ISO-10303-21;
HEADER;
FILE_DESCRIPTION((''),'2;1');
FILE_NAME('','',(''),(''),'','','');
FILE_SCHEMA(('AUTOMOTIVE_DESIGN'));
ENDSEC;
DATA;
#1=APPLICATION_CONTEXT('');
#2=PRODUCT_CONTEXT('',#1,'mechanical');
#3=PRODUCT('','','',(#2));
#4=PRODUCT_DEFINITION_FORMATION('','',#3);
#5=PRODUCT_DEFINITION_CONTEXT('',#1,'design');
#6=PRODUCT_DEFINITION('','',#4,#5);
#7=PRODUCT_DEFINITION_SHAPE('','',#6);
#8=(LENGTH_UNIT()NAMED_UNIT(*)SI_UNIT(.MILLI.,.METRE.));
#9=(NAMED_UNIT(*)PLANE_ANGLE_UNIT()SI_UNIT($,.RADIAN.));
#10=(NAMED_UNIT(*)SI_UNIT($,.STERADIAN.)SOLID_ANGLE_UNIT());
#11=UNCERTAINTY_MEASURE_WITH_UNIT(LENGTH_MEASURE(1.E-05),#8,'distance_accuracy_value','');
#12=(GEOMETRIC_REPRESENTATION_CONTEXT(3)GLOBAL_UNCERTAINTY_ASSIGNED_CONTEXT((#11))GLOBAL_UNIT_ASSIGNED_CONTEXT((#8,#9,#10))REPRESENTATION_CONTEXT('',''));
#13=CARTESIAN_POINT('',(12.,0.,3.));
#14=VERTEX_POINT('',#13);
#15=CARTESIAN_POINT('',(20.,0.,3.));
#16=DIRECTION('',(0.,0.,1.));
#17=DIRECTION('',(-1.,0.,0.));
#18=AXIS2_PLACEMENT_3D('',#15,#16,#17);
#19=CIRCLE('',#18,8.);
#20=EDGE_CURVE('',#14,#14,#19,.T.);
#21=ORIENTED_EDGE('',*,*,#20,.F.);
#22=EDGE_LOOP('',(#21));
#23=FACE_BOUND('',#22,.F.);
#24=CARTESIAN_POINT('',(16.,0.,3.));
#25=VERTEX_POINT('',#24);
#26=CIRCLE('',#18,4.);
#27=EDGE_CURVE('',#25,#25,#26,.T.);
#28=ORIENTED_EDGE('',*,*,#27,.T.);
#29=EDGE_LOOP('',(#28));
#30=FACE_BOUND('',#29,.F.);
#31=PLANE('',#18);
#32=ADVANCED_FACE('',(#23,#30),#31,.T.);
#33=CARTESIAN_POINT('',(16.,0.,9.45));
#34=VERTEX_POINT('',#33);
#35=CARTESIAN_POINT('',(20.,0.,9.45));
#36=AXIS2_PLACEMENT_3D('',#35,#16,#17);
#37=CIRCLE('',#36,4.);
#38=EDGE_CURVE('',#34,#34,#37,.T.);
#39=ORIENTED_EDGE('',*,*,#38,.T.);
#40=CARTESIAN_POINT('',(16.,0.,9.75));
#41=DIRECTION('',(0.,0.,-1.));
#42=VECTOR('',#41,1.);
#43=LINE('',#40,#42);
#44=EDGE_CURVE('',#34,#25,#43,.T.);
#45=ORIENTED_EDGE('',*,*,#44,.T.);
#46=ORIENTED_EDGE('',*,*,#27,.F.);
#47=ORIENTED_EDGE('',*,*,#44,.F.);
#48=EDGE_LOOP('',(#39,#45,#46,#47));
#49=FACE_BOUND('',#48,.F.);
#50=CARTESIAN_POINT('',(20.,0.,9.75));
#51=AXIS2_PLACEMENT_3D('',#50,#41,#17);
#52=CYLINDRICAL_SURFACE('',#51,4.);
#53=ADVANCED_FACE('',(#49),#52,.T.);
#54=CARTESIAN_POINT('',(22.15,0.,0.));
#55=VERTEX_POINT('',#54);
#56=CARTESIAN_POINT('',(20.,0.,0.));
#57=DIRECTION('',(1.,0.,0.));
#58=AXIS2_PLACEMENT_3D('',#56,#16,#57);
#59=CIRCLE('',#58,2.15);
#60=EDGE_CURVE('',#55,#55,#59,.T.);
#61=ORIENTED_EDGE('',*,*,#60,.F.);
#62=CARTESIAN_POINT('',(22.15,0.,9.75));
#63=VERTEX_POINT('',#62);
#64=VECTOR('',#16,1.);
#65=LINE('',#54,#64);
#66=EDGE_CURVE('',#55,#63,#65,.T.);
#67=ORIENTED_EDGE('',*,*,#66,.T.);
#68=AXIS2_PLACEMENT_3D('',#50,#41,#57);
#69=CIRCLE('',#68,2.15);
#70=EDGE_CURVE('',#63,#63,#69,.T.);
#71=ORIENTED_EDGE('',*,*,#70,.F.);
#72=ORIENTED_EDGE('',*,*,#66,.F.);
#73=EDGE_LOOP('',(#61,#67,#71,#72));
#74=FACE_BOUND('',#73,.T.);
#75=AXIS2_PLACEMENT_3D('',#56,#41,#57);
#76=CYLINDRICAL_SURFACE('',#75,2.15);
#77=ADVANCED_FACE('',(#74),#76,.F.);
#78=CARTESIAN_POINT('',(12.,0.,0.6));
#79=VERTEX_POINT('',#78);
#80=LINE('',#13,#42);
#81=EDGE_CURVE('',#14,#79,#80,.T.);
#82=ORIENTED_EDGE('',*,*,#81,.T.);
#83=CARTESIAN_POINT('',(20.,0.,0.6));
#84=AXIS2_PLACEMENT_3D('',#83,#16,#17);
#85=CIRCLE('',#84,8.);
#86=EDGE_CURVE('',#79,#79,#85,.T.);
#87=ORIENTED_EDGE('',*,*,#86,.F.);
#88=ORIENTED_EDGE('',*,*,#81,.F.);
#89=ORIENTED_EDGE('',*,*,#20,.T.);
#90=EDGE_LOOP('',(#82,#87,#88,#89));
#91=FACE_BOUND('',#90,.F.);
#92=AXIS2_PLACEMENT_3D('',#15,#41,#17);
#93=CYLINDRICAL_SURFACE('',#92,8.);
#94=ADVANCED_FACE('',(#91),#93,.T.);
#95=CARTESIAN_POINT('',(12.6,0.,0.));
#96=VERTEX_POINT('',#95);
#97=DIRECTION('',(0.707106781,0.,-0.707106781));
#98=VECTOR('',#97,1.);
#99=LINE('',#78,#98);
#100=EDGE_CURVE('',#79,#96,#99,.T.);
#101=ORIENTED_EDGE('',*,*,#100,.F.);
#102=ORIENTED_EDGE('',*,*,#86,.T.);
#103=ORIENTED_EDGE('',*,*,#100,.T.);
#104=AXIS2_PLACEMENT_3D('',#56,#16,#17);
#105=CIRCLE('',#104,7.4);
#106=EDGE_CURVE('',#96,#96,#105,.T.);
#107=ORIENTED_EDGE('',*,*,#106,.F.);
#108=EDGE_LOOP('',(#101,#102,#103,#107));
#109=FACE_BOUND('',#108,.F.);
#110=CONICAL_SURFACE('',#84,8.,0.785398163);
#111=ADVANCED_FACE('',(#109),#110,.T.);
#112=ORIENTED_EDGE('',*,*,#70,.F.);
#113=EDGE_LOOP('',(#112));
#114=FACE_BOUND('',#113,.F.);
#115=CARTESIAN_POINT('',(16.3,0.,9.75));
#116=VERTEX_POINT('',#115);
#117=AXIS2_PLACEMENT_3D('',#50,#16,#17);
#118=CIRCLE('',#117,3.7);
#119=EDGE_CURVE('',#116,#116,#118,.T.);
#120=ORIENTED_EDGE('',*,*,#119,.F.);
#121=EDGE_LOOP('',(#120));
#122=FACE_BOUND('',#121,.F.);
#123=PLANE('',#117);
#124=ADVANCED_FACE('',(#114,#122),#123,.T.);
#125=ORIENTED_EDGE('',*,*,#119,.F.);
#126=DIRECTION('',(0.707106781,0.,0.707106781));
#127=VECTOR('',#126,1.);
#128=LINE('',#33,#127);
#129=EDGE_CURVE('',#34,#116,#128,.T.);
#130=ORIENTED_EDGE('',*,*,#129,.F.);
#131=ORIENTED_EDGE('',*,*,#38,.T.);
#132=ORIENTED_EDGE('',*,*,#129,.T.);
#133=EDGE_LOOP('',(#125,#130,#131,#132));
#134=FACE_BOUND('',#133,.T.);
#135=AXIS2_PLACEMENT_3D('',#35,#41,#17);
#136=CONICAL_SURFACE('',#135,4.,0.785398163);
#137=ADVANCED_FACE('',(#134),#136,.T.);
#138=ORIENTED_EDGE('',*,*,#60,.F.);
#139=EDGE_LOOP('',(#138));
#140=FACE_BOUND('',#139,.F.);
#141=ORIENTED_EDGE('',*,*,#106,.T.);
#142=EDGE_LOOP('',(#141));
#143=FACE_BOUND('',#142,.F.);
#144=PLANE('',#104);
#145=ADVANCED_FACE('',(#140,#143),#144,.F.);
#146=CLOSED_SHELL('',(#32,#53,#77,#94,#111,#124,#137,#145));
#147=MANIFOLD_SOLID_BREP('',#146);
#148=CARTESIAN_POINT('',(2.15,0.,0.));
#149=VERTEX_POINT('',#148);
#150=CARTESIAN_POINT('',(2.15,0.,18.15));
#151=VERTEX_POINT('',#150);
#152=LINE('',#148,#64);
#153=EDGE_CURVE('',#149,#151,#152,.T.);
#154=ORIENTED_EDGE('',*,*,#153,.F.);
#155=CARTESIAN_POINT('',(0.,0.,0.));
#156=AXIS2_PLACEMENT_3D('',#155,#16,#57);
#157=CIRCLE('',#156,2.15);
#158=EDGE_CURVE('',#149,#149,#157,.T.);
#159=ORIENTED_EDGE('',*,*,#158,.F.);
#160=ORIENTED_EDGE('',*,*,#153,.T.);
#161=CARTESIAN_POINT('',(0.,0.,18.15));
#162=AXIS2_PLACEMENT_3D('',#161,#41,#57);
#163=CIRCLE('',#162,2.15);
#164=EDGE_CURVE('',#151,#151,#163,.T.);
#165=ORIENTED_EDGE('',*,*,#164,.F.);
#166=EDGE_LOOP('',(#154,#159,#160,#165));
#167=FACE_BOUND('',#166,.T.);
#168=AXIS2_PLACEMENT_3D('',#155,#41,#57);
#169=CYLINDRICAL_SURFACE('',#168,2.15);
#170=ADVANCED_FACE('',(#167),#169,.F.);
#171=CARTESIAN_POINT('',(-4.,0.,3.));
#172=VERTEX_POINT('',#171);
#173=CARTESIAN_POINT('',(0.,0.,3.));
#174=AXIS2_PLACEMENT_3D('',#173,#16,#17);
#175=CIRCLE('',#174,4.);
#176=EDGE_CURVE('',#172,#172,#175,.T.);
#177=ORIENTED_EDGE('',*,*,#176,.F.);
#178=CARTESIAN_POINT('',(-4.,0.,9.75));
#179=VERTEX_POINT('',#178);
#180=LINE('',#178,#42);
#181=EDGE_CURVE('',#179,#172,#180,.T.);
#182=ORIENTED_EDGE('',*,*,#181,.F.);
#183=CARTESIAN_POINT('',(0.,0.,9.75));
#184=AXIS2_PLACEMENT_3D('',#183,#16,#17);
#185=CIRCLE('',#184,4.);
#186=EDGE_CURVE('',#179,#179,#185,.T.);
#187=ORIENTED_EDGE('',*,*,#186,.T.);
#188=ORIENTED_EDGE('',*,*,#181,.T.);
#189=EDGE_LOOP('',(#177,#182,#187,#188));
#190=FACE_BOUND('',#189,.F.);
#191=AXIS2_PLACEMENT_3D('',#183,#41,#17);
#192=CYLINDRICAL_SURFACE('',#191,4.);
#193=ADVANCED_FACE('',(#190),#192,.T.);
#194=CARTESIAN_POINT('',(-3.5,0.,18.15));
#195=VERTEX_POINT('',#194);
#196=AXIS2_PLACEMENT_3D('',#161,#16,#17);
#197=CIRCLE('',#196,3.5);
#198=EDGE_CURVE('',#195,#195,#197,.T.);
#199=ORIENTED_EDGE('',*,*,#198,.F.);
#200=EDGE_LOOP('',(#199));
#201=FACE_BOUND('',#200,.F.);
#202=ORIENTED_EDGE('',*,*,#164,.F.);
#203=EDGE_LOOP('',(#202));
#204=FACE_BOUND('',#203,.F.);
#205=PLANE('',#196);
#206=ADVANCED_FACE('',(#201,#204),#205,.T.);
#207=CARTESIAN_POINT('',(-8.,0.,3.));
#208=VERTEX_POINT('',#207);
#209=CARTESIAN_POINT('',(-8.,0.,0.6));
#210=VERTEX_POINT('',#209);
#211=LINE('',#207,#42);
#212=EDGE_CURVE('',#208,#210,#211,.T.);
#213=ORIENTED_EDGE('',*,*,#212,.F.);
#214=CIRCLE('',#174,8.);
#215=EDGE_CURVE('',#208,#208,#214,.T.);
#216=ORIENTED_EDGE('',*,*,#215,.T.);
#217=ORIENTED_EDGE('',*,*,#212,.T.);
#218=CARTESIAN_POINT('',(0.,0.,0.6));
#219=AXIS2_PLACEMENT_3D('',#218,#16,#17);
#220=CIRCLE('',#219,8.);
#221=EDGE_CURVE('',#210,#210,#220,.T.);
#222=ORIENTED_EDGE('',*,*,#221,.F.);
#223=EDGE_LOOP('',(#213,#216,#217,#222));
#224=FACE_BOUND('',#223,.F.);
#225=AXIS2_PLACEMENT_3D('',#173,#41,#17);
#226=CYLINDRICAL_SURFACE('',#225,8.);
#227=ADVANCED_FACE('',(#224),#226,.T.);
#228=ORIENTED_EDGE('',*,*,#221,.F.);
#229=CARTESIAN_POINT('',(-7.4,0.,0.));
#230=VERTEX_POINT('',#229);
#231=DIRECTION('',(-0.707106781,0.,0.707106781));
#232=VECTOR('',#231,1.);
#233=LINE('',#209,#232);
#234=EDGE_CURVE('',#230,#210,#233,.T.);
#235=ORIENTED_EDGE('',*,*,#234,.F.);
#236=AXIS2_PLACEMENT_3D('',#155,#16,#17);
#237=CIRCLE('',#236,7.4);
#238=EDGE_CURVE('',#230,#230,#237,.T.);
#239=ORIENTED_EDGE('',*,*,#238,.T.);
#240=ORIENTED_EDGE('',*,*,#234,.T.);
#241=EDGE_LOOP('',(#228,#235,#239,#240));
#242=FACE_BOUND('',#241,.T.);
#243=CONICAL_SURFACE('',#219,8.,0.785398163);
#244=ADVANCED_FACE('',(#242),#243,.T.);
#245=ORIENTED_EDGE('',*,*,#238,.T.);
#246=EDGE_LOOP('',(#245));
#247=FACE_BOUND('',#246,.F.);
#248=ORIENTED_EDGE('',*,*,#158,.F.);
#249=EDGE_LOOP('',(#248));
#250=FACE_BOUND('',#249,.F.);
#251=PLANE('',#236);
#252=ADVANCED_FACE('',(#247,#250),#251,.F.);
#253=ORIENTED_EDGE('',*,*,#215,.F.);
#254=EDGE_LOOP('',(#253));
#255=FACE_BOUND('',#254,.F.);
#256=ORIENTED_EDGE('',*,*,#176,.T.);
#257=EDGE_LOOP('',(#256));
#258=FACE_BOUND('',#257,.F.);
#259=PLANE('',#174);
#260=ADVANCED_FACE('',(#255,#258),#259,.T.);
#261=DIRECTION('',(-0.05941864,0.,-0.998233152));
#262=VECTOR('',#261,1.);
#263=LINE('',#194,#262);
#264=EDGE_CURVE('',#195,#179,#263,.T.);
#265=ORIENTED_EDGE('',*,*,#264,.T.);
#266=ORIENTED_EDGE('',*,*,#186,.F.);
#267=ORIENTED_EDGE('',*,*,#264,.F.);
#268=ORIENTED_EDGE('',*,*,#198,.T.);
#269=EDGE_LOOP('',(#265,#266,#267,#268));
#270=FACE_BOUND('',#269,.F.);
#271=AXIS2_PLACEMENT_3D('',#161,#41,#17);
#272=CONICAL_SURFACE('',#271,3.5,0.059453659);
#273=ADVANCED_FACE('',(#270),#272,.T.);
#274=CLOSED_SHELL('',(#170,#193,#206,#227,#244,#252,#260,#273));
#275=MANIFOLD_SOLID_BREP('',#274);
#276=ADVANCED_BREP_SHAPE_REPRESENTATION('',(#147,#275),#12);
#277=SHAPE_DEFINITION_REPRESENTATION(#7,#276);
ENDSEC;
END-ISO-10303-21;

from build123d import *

# Parameters (mm, degrees)
F3_R      = 2.15
F4_DEPTH  = 18.151
F5_SIZE   = 0.6
F5_2_SIZE = 0.6
F6_SIZE   = 0.3


with BuildPart() as f1:
    # F0 (on Front) → F1 (revolve)
    with BuildSketch(Plane.XZ):
        Polygon((-3.5, 18.15), (-4, 9.75), (-4, 3), (-8, 3), (-8, 0), (0, 0), (0, 18.15), align=None)
    revolve(axis=Axis((0, 0, 9.6170306206), (0, 0, 1)))


with BuildPart() as f2:
    # F0 (on Front) → F2 (revolve)
    with BuildSketch(Plane.XZ):
        Polygon((12, 3), (12, 0), (20, 0), (20, 9.75), (16, 9.75), (16, 3), align=None)
    revolve(axis=Axis((20, 0, 4.875), (0, 0, 1)))


with BuildPart() as f4_tool:
    # F3 (on Top) → F4 (new body, through all)
    with BuildSketch(Plane.XY):
        Circle(F3_R)
        with Locations((20, 0)):
            Circle(F3_R)
    extrude(amount=F4_DEPTH)


with BuildPart() as f1_1:
    add(f1.part)

    # F4: cut by f4_tool
    add(f4_tool.part, mode=Mode.SUBTRACT)

    # F5
    f5_edges = [f1_1.edges().sort_by_distance(p)[0] for p in [
        (8, 0, 0),
    ]]
    chamfer(f5_edges, length=F5_SIZE)


with BuildPart() as f2_1:
    add(f2.part)

    # F4: cut by f4_tool
    add(f4_tool.part, mode=Mode.SUBTRACT)

    # F5#2
    f5_2_edges = [f2_1.edges().sort_by_distance(p)[0] for p in [
        (28, 0, 0),
    ]]
    chamfer(f5_2_edges, length=F5_2_SIZE)

    # F6
    f6_edges = [f2_1.edges().sort_by_distance(p)[0] for p in [
        (24, 0, 9.75),
    ]]
    chamfer(f6_edges, length=F6_SIZE)


solid = Compound([f1_1.part, f2_1.part])
